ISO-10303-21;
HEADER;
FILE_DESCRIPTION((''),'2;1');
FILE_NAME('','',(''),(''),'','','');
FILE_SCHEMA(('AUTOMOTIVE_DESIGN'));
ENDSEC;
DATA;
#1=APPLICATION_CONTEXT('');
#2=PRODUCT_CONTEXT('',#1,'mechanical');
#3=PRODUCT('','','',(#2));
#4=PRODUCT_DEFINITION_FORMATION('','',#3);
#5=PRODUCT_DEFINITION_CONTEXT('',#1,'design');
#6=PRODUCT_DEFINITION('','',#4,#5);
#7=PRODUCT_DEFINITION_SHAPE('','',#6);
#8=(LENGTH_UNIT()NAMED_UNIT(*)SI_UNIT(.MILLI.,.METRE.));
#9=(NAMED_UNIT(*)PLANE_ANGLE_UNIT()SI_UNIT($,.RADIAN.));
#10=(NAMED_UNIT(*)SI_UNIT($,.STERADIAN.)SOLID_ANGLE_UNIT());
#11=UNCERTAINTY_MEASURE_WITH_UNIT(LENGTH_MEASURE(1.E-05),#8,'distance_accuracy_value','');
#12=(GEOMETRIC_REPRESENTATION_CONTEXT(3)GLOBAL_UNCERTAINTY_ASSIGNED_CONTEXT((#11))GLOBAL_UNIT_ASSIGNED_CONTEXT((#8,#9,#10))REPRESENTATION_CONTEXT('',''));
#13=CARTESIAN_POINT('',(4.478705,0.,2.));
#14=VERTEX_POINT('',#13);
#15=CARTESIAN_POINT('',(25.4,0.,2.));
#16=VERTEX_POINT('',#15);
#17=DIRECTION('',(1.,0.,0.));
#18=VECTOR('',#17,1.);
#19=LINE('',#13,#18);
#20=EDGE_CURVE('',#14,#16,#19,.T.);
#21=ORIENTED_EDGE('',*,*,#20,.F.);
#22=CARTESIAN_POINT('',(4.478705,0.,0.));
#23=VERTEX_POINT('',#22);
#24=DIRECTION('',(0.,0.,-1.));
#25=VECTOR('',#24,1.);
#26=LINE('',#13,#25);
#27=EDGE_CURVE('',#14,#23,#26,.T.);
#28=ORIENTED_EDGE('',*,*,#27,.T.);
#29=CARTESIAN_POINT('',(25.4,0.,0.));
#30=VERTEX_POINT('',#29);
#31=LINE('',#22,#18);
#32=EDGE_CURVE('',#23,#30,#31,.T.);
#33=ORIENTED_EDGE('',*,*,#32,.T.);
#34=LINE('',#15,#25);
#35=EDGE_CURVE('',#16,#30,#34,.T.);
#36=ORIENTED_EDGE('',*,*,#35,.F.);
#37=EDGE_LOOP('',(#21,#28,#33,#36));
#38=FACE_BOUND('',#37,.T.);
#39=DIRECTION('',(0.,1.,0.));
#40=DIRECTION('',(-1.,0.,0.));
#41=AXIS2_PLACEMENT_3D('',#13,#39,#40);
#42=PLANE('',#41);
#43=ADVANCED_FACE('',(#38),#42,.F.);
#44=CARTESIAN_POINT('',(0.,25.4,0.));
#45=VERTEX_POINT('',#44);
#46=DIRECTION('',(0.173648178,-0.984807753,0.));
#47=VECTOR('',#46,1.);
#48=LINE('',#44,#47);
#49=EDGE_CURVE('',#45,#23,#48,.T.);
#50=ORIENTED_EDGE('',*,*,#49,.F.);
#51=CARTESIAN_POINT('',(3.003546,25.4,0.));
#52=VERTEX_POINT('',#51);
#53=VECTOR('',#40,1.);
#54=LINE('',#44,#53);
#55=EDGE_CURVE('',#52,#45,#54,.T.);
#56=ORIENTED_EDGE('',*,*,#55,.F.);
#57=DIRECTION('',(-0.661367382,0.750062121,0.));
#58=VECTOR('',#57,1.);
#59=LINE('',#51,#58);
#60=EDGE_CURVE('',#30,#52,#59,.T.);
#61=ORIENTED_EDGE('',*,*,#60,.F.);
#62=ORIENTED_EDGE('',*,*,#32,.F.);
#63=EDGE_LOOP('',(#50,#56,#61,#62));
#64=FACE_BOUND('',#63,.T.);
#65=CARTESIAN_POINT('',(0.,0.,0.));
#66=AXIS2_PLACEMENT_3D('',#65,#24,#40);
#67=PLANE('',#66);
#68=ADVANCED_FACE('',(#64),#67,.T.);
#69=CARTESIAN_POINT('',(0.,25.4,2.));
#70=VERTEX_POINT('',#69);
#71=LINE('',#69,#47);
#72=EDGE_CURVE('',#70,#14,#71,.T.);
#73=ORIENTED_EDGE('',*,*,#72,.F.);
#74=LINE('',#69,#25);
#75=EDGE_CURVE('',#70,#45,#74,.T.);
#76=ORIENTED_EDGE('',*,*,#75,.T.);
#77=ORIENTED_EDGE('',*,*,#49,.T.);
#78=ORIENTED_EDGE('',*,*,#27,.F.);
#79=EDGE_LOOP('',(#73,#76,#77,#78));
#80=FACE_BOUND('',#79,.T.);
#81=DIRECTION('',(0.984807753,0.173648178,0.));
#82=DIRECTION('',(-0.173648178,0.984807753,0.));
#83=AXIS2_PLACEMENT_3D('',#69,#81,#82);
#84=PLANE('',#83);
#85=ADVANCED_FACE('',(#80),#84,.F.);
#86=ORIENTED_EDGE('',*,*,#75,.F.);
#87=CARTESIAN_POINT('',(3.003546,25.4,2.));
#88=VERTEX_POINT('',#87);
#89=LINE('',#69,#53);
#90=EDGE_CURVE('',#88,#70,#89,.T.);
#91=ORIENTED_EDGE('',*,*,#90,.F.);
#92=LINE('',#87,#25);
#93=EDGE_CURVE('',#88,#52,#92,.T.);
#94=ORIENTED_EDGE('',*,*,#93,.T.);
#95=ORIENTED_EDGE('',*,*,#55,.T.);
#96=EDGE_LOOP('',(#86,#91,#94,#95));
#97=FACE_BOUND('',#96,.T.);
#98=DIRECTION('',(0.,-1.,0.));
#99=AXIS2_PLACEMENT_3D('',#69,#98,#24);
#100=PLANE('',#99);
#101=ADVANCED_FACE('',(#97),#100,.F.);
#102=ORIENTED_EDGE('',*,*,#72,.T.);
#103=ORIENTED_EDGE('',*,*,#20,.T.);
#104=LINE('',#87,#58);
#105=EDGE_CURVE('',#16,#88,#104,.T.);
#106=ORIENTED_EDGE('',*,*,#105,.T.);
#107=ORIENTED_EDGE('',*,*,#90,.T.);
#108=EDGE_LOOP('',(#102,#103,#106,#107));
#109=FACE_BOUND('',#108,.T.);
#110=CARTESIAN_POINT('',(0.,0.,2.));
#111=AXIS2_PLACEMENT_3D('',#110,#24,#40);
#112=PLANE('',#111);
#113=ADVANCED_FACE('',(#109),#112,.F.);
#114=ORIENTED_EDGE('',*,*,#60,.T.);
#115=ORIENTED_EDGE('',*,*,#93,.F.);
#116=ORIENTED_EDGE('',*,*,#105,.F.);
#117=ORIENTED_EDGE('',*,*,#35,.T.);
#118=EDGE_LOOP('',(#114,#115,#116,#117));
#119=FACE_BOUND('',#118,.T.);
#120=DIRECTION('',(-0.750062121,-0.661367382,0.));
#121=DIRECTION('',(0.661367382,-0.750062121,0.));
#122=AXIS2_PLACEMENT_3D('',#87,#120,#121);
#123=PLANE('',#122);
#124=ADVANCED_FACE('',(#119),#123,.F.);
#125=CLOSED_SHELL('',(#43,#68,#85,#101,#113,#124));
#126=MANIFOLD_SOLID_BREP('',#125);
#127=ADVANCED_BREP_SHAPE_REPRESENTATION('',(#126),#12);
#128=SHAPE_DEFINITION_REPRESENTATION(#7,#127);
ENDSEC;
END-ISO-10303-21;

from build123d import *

# Parameters (mm, degrees)
BOSS_EXTRUDE2_DEPTH = 2


with BuildPart() as part:
    # Sketch1 → Boss-Extrude2 (new body)
    with BuildSketch(Plane.XY):
        Polygon((0, 25.4), (4.47870531, 0), (25.4, 0), (3.003546374, 25.4), align=None)
    extrude(amount=BOSS_EXTRUDE2_DEPTH)


solid = part.part
